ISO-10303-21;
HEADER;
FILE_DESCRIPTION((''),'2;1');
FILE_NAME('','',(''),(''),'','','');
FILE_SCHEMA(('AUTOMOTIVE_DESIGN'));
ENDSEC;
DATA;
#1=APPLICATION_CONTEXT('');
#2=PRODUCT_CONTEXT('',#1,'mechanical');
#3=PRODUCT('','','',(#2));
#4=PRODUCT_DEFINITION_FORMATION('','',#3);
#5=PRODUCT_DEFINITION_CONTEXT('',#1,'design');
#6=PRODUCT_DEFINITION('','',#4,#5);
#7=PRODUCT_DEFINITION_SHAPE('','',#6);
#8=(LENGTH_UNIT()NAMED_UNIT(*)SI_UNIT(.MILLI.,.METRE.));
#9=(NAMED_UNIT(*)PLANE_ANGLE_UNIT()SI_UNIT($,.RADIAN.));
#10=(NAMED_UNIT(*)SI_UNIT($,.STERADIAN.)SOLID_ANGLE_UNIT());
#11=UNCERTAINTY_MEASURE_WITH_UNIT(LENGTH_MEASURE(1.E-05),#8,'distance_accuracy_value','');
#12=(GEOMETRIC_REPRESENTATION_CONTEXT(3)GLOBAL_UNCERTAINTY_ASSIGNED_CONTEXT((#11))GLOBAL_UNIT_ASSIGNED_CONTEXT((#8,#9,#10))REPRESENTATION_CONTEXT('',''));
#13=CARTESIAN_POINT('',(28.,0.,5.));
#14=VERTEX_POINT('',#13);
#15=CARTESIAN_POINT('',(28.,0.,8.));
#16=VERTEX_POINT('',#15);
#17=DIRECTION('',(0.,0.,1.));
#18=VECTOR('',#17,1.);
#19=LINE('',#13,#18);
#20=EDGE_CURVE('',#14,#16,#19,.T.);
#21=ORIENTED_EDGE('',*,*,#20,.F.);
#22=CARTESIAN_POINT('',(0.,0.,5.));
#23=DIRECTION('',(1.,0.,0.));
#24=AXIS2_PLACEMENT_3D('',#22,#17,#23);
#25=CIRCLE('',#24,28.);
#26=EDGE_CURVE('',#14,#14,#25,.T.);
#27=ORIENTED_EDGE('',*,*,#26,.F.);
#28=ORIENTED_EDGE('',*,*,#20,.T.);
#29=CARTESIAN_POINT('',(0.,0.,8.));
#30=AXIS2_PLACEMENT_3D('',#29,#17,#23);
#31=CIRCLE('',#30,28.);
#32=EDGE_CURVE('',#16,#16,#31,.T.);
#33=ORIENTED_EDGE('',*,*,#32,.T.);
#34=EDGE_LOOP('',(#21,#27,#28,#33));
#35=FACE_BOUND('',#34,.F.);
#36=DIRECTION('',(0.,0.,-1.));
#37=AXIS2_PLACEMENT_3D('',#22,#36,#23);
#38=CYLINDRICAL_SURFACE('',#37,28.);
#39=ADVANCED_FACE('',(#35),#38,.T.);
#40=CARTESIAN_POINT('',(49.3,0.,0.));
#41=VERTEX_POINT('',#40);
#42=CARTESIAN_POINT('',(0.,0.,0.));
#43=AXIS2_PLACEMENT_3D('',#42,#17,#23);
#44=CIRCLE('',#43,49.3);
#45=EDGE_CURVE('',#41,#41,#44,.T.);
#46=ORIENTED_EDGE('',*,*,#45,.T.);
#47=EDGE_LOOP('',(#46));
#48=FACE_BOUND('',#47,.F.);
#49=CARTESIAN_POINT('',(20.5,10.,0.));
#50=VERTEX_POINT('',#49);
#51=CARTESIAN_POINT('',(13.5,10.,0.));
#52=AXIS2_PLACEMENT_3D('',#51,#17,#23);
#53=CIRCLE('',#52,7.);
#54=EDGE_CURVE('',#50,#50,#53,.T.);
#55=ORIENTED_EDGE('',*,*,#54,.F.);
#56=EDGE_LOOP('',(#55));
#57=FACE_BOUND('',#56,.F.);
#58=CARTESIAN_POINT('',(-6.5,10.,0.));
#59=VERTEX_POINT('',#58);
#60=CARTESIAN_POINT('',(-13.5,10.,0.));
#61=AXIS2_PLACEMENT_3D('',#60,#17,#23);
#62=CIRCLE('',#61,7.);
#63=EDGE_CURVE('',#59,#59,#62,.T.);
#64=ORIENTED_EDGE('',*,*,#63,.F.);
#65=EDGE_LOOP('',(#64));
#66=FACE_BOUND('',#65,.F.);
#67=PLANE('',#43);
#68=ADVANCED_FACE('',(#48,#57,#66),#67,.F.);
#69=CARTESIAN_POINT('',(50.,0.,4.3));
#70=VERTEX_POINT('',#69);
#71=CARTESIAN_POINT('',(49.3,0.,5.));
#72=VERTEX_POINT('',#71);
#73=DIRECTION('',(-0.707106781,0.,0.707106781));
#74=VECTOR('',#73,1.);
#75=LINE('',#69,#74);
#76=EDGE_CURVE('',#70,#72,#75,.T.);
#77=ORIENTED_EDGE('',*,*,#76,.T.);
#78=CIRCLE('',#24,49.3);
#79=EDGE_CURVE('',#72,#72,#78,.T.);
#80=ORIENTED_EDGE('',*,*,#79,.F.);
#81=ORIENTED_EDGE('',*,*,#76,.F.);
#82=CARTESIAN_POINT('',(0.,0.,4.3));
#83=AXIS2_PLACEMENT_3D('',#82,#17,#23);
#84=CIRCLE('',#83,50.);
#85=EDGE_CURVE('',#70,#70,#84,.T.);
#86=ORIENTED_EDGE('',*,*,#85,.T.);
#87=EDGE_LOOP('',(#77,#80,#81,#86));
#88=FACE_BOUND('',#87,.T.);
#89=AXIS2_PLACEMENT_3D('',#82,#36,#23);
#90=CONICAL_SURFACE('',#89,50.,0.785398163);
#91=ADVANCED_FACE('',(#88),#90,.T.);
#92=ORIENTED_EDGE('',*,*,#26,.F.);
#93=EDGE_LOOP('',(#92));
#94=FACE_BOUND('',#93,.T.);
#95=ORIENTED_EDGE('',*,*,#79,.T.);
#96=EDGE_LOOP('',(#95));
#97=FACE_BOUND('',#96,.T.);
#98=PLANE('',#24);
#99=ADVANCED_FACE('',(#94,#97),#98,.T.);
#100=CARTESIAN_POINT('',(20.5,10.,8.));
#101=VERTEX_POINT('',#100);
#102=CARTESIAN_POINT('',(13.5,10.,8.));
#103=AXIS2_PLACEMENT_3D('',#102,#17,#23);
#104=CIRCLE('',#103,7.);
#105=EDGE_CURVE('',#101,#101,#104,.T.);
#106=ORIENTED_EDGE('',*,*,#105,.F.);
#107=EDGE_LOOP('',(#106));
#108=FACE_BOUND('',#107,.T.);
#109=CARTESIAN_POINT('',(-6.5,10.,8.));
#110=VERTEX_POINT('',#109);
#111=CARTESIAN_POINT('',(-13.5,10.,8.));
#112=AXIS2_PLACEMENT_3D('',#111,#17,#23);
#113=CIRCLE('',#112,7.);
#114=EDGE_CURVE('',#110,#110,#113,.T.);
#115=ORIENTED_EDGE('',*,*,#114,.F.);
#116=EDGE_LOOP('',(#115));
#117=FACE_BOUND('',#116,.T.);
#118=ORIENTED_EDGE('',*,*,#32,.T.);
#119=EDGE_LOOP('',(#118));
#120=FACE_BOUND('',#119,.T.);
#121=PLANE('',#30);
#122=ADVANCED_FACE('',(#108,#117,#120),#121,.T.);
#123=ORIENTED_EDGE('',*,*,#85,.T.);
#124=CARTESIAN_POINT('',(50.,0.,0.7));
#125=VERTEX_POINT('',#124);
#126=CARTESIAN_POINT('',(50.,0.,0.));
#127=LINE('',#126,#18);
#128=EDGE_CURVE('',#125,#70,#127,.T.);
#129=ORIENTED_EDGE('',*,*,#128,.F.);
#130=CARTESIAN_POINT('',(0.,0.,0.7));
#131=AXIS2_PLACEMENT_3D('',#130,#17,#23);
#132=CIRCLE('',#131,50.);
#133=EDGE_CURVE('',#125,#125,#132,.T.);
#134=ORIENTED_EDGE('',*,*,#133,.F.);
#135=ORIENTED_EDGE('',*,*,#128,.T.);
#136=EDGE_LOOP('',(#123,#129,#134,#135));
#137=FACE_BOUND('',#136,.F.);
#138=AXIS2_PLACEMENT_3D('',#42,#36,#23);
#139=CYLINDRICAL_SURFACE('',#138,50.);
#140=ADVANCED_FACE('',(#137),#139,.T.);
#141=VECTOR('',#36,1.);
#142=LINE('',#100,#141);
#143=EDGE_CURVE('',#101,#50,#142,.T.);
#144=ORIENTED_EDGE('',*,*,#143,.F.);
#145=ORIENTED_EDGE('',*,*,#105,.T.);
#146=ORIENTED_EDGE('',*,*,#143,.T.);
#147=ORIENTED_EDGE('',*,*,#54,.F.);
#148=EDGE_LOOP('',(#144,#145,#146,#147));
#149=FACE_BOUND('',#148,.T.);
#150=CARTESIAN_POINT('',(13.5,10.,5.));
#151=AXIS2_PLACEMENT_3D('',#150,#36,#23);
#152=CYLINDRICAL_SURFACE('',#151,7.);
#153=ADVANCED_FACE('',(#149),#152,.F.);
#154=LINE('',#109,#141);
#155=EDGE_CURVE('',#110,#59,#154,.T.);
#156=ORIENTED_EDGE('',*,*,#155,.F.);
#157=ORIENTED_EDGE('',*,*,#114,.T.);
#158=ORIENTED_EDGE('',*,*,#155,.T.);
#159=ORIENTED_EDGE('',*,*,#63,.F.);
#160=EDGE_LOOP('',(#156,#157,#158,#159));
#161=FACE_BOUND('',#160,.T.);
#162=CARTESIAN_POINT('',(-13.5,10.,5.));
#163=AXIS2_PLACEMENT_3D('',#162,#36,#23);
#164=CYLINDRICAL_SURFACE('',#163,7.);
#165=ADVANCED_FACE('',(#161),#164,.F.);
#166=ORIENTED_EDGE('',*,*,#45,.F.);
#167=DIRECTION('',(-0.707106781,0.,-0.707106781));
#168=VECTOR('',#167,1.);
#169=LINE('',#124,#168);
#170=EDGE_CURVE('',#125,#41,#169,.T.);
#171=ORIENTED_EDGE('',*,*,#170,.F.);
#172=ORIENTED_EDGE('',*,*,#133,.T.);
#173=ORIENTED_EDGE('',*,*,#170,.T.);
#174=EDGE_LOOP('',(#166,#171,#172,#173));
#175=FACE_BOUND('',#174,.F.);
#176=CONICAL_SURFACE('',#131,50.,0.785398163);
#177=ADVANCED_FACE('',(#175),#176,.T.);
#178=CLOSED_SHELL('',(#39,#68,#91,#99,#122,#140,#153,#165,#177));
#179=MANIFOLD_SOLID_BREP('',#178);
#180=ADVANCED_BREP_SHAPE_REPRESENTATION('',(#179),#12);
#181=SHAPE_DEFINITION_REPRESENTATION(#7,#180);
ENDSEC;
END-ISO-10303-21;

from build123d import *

# Parameters (mm, degrees)
F0_R     = 50
F0_R_2   = 7
F1_DEPTH = 5
F2_SIZE  = 0.7
F3_R     = 28
F4_DEPTH = 3
F5_DEPTH = 3


with BuildPart() as f1:
    # F0 (on Top) → F1 (new body)
    with BuildSketch(Plane.XY):
        Circle(F0_R)
        with Locations((-13.5, 10)):
            Circle(F0_R_2, mode=Mode.SUBTRACT)
        with Locations((13.5, 10)):
            Circle(F0_R_2, mode=Mode.SUBTRACT)
    extrude(amount=F1_DEPTH)

    # F2
    f2_edges = [f1.edges().sort_by_distance(p)[0] for p in [
        (-50, 0, 0),
        (50, 0, 2.5),
        (-50, 0, 5),
    ]]
    chamfer(f2_edges, length=F2_SIZE)

    # F3 (on face) → F4 (join)
    with BuildSketch(Plane.XY.offset(5)):
        Circle(F3_R)
    extrude(amount=F4_DEPTH)

    # F5 (cut, through all): faces of the model
    f5_faces = [f1.faces().sort_by_distance(p)[0] for p in [
        (-13.5, 10, 5),
        (13.5, 10, 5),
    ]]
    extrude(f5_faces, amount=-F5_DEPTH, mode=Mode.SUBTRACT)


solid = f1.part
